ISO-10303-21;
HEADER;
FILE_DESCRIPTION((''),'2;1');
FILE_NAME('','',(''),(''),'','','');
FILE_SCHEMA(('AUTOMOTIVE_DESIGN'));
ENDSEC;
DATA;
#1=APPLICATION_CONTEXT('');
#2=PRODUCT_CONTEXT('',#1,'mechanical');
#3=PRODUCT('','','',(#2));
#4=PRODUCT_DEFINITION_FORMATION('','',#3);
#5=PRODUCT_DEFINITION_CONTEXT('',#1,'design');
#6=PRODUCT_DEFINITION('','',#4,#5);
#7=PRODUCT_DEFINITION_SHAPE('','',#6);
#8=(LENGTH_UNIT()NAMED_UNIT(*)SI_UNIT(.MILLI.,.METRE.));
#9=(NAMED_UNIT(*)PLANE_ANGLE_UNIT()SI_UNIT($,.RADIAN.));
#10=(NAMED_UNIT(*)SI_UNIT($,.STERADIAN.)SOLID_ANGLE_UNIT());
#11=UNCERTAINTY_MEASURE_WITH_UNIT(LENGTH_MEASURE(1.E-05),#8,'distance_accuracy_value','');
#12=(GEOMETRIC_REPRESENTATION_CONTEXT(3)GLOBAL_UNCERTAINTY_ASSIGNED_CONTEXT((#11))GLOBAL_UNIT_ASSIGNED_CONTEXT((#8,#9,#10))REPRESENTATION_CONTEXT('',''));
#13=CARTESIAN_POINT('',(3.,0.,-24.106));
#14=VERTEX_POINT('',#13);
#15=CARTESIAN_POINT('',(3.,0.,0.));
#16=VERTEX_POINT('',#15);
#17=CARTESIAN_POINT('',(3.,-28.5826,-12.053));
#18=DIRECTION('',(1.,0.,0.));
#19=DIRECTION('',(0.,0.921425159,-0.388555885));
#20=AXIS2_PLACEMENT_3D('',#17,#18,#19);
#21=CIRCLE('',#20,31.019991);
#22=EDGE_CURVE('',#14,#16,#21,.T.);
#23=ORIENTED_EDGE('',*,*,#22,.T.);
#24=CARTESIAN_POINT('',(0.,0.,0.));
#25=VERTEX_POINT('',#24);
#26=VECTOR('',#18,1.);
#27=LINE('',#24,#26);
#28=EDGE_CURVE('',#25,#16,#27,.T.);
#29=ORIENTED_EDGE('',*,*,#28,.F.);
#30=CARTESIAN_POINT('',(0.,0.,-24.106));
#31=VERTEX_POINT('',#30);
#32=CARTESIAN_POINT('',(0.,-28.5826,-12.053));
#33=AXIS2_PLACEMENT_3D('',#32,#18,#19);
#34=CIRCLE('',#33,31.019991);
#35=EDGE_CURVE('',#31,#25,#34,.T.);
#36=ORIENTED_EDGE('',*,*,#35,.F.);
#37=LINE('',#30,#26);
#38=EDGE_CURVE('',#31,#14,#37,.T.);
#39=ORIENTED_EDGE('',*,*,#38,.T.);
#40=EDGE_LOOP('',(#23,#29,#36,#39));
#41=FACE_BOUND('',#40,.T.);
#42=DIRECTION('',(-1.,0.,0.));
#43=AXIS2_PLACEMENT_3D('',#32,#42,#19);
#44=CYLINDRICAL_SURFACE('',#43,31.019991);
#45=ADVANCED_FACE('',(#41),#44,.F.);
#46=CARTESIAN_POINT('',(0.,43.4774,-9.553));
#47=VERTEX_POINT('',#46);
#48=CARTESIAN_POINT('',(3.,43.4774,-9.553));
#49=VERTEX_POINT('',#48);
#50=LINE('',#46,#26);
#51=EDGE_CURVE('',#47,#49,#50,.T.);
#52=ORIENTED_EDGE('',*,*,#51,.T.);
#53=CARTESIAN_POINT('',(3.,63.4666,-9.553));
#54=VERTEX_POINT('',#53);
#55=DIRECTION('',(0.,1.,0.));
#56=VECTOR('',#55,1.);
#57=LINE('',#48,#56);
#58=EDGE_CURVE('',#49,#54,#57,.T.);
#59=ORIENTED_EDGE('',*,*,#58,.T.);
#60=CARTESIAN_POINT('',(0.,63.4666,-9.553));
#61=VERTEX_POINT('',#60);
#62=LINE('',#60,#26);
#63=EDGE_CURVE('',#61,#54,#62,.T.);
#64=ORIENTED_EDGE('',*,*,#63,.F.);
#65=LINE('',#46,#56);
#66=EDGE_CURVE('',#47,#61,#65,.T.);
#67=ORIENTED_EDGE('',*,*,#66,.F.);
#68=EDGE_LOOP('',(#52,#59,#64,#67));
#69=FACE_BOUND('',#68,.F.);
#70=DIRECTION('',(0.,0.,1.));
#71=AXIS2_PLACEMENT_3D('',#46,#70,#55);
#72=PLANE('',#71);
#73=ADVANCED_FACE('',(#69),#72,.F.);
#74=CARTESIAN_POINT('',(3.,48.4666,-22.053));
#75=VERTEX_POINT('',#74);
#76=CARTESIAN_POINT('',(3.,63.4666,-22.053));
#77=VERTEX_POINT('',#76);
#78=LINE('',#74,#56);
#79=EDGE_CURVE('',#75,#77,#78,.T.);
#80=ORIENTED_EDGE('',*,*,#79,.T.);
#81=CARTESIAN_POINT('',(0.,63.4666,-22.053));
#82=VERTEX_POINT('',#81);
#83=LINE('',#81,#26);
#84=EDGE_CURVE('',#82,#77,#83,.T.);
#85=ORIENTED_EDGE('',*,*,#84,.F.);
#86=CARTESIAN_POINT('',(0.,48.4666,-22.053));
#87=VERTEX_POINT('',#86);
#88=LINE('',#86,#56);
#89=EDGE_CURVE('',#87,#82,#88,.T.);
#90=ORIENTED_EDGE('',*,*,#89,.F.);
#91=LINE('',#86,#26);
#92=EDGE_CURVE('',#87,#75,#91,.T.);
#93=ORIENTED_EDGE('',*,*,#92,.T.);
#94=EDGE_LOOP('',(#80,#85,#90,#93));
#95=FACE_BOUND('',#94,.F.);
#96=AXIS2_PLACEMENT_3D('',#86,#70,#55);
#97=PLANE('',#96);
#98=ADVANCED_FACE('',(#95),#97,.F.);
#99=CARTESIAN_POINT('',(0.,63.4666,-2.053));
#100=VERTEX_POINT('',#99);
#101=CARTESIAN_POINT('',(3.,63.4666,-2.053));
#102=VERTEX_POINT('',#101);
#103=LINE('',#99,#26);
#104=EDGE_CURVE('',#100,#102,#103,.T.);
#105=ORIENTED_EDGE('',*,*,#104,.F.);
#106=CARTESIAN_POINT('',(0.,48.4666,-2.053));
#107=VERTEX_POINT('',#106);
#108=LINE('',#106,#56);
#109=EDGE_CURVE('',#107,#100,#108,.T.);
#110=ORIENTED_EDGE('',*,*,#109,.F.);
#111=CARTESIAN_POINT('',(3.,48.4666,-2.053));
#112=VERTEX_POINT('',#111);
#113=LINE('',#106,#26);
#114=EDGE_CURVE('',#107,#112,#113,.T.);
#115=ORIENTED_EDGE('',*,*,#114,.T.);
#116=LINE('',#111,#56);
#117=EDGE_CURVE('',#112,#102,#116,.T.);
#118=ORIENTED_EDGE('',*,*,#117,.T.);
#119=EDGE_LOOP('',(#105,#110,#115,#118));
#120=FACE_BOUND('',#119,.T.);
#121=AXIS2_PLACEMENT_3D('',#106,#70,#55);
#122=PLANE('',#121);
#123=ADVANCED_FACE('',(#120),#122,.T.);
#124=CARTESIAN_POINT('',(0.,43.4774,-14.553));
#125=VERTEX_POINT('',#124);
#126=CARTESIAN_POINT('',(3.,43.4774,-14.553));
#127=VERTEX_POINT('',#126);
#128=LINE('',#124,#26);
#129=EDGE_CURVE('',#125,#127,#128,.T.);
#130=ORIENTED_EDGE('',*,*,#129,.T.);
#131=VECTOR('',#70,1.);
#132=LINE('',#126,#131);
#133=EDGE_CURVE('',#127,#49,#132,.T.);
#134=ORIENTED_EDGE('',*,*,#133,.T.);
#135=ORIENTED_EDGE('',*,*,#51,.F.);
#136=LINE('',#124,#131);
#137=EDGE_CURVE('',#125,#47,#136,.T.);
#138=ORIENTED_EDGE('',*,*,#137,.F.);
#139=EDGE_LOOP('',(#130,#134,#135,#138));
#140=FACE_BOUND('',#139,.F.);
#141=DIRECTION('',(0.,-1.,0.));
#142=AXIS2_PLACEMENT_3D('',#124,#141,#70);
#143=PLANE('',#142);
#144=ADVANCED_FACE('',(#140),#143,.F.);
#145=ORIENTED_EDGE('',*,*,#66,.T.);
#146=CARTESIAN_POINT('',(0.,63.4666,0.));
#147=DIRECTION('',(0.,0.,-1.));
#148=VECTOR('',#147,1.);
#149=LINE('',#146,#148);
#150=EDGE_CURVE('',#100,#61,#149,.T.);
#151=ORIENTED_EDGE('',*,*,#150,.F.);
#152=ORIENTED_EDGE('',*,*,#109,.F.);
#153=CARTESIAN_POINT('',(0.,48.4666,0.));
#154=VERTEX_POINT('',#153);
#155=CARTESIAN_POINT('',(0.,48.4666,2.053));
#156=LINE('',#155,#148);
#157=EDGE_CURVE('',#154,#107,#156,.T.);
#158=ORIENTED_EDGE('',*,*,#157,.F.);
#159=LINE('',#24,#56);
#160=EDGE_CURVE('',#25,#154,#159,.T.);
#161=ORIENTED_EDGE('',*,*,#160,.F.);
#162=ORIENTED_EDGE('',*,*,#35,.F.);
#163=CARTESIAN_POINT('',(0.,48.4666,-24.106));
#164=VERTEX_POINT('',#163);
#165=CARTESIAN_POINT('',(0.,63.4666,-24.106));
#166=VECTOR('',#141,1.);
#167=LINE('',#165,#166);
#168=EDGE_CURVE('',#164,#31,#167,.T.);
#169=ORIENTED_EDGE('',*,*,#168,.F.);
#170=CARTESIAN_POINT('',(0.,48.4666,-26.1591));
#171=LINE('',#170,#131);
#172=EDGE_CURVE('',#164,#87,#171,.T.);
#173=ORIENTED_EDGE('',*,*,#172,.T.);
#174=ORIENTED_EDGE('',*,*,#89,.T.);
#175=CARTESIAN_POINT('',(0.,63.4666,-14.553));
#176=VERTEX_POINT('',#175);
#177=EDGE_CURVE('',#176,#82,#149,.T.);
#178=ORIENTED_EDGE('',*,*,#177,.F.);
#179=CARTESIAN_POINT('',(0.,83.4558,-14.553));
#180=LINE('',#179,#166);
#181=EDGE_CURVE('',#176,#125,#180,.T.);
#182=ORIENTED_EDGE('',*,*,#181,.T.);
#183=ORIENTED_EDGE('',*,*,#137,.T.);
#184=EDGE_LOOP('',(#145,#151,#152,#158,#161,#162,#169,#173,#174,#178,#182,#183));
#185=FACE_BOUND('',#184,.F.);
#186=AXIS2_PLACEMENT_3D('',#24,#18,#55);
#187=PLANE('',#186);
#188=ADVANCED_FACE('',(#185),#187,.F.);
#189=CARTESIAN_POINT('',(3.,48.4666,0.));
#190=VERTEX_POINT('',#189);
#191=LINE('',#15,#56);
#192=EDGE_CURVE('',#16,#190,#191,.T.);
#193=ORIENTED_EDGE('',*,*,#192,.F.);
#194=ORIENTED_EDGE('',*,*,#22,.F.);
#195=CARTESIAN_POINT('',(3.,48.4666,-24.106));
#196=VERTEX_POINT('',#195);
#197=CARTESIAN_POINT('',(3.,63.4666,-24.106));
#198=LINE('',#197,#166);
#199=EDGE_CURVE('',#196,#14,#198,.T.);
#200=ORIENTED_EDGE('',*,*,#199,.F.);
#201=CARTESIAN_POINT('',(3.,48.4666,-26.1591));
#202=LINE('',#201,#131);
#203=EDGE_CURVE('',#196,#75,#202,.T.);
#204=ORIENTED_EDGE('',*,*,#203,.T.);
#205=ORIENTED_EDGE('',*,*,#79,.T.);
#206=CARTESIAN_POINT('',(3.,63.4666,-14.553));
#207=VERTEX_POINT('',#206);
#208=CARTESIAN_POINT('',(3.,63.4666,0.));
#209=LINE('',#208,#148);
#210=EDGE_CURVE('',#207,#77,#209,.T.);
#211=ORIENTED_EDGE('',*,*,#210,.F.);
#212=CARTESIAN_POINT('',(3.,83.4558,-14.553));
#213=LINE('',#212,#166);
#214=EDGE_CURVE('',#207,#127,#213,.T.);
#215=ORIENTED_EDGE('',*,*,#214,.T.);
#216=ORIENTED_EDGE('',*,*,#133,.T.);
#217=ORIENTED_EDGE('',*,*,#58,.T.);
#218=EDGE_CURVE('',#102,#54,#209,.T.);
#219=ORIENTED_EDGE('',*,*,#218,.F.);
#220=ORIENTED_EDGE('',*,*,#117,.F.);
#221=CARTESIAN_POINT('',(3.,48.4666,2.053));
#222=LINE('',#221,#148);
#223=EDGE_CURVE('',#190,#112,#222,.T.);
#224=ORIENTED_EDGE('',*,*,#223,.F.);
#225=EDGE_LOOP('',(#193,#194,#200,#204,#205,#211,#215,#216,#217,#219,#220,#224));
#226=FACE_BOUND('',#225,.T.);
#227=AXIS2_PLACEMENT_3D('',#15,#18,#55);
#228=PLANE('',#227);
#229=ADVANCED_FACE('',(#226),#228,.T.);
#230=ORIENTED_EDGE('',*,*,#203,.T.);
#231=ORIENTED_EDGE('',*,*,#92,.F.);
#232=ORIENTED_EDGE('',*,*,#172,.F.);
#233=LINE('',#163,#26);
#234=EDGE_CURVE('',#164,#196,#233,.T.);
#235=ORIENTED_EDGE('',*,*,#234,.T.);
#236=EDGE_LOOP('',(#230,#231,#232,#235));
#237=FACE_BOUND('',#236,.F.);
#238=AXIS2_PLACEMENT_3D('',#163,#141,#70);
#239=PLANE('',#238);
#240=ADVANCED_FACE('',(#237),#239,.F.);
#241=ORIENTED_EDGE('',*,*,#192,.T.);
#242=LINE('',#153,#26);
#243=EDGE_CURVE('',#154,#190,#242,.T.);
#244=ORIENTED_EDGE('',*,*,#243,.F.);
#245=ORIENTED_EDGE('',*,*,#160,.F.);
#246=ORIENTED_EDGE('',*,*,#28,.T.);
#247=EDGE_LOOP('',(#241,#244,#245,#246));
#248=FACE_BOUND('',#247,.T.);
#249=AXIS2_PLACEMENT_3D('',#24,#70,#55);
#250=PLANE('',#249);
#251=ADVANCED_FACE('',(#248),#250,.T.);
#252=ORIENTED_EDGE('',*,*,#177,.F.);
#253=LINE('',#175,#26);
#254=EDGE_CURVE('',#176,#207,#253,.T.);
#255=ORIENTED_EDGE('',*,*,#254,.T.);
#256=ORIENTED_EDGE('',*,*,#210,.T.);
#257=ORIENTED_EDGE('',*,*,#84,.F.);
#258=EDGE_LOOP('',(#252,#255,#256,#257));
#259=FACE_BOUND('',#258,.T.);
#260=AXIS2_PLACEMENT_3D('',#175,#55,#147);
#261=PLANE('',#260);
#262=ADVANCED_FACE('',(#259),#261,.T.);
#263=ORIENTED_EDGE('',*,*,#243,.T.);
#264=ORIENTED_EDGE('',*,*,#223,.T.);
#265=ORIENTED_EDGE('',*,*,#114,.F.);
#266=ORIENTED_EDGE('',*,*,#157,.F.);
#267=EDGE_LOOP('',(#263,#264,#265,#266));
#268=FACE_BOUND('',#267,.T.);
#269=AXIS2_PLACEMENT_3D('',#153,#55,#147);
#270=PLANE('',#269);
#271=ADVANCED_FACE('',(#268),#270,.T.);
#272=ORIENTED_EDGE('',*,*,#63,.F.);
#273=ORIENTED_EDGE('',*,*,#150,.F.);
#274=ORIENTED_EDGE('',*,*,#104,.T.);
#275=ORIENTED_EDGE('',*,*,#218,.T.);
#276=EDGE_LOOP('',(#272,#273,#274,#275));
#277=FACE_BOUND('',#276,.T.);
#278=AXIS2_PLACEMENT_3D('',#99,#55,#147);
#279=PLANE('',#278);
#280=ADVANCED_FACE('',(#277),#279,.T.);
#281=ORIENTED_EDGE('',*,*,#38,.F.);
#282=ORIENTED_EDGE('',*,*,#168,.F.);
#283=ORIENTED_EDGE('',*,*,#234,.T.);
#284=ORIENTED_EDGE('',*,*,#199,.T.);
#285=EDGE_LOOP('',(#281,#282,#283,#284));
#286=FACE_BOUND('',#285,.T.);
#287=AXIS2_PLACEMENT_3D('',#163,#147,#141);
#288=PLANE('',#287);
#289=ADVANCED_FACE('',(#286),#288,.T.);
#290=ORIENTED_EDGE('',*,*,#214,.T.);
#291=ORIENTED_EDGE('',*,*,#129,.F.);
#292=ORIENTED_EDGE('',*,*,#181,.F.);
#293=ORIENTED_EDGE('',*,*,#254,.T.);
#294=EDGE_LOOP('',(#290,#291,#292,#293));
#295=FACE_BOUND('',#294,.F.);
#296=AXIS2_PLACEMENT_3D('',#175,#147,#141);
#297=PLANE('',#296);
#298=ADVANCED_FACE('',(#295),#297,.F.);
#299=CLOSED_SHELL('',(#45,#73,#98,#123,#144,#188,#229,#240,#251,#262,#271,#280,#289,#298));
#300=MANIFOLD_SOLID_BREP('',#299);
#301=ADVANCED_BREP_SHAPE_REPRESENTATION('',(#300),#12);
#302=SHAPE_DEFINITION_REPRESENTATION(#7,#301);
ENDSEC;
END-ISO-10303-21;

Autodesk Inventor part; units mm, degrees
ref_plane "YZ Plane" through (0, 0, 0) normal (1, 0, 0) x (0, 1, 0)
ref_plane "XZ Plane" through (0, 0, 0) normal (0, 1, 0) x (-1, 0, 0)
ref_plane "XY Plane" through (0, 0, 0) normal (0, 0, 1) x (1, 0, 0)
sketch "Sketch1" plane through (0, 0, 0) normal (1, 0, 0) x (0, 1, 0)
  circle A0 centre (-58.6732, 0) radius 31.02 construction
  line L0 (-39.6195, 0) -> (-14.1298, -32.6253) construction
  line L1 (-30.13, -12.146) -> (-30.13, 12.146) construction
  line L2 (0, 0) -> (-214.2426, 0) construction
  line L3 (-30.13, 12.146) -> (-33.107, -11.7755)
  line L4 (-33.107, -11.7755) -> (-30.13, -12.146)
  line L5 (-30.13, -12.146) -> (-27.153, 11.7755)
  line L6 (-27.153, 11.7755) -> (-30.13, 12.146)
  line L7 (-30.13, 12.146) -> (-30.13, -12.146) construction
  line L8 (-33.107, -11.7755) -> (-27.153, 11.7755) construction
  point P0 (-30.13, 0)
  dimension "d0" = 62.04
  dimension "d2" = 52
  dimension "d3" = 24.292
  dimension "d8" = 31.2206
  dimension "d9" = 16.0002
  dimension "d11" = 3
  dimension "d13" = 24.106
sketch "Sketch2" plane through (0, 0, 0) normal (1, 0, 0) x (0, 1, 0)
  line L0 (0, 0) -> (63.4666, 0)
  line L1 (63.4666, 0) -> (63.4666, -24.106)
  line L2 (63.4666, -24.106) -> (0, -24.106)
  line L3 (0, -24.106) -> (0, 0) construction
  line L4 (63.4666, -12.053) -> (-45.5912, -12.053) construction
  arc A0 (0, -24.106) -> (0, 0) centre (-28.5826, -12.053) ccw
  arc A1 (0, 0) -> (0, -24.106) centre (-28.5826, -12.053) ccw construction
  line L5 (80.4558, -9.553) -> (46.4774, -9.553) construction
  line L6 (46.4774, -9.553) -> (46.4774, -14.553) construction
  line L7 (46.4774, -14.553) -> (80.4558, -14.553) construction
  line L8 (80.4558, -14.553) -> (80.4558, -9.553) construction
  line L9 (80.4558, -9.553) -> (46.4774, -14.553) construction
  line L10 (46.4774, -9.553) -> (80.4558, -14.553) construction
  line L11 (43.4774, -9.553) -> (83.4558, -9.553)
  line L12 (83.4558, -9.553) -> (83.4558, -14.553) construction
  line L13 (83.4558, -14.553) -> (43.4774, -14.553)
  line L14 (43.4774, -14.553) -> (43.4774, -9.553)
  line L15 (43.4774, -9.553) -> (83.4558, -14.553) construction
  line L16 (83.4558, -9.553) -> (43.4774, -14.553) construction
  line L17 (78.4666, -26.1591) -> (48.4666, -26.1591)
  line L18 (48.4666, -26.1591) -> (48.4666, -22.053)
  line L19 (48.4666, -22.053) -> (78.4666, -22.053)
  line L20 (78.4666, -22.053) -> (78.4666, -26.1591)
  line L21 (78.4666, -26.1591) -> (48.4666, -22.053) construction
  line L22 (48.4666, -26.1591) -> (78.4666, -22.053) construction
  line L23 (48.4666, 2.053) -> (48.4666, -2.053)
  line L24 (48.4666, -2.053) -> (78.4666, -2.053)
  point P0 (63.4666, -9.553)
  point P1 (63.4666, -2.053)
  point P2 (48.4666, 0)
  point P3 (48.4666, -24.106)
  point P4 (63.4666, -22.053)
  point P5 (63.4666, -14.553)
  dimension "d12" = 24.106
  dimension "d14" = 62.04
  dimension "d15" = 63.4666
  dimension "d17" = 109.0578
  dimension "d18" = 44.04
  dimension "d19" = 5
  dimension "d20" = 3
  dimension "d22" = 30
  dimension "d25" = 20
extrude "Extrusion1" add sketch "Sketch2" along normal blind 3 contours L0 L23 L24 L1 L11 L14 L13 L19 L18 L2 A0
equation "\"d12\" = d13"
properties part number "Paleta" material "Laminate, Navy"
